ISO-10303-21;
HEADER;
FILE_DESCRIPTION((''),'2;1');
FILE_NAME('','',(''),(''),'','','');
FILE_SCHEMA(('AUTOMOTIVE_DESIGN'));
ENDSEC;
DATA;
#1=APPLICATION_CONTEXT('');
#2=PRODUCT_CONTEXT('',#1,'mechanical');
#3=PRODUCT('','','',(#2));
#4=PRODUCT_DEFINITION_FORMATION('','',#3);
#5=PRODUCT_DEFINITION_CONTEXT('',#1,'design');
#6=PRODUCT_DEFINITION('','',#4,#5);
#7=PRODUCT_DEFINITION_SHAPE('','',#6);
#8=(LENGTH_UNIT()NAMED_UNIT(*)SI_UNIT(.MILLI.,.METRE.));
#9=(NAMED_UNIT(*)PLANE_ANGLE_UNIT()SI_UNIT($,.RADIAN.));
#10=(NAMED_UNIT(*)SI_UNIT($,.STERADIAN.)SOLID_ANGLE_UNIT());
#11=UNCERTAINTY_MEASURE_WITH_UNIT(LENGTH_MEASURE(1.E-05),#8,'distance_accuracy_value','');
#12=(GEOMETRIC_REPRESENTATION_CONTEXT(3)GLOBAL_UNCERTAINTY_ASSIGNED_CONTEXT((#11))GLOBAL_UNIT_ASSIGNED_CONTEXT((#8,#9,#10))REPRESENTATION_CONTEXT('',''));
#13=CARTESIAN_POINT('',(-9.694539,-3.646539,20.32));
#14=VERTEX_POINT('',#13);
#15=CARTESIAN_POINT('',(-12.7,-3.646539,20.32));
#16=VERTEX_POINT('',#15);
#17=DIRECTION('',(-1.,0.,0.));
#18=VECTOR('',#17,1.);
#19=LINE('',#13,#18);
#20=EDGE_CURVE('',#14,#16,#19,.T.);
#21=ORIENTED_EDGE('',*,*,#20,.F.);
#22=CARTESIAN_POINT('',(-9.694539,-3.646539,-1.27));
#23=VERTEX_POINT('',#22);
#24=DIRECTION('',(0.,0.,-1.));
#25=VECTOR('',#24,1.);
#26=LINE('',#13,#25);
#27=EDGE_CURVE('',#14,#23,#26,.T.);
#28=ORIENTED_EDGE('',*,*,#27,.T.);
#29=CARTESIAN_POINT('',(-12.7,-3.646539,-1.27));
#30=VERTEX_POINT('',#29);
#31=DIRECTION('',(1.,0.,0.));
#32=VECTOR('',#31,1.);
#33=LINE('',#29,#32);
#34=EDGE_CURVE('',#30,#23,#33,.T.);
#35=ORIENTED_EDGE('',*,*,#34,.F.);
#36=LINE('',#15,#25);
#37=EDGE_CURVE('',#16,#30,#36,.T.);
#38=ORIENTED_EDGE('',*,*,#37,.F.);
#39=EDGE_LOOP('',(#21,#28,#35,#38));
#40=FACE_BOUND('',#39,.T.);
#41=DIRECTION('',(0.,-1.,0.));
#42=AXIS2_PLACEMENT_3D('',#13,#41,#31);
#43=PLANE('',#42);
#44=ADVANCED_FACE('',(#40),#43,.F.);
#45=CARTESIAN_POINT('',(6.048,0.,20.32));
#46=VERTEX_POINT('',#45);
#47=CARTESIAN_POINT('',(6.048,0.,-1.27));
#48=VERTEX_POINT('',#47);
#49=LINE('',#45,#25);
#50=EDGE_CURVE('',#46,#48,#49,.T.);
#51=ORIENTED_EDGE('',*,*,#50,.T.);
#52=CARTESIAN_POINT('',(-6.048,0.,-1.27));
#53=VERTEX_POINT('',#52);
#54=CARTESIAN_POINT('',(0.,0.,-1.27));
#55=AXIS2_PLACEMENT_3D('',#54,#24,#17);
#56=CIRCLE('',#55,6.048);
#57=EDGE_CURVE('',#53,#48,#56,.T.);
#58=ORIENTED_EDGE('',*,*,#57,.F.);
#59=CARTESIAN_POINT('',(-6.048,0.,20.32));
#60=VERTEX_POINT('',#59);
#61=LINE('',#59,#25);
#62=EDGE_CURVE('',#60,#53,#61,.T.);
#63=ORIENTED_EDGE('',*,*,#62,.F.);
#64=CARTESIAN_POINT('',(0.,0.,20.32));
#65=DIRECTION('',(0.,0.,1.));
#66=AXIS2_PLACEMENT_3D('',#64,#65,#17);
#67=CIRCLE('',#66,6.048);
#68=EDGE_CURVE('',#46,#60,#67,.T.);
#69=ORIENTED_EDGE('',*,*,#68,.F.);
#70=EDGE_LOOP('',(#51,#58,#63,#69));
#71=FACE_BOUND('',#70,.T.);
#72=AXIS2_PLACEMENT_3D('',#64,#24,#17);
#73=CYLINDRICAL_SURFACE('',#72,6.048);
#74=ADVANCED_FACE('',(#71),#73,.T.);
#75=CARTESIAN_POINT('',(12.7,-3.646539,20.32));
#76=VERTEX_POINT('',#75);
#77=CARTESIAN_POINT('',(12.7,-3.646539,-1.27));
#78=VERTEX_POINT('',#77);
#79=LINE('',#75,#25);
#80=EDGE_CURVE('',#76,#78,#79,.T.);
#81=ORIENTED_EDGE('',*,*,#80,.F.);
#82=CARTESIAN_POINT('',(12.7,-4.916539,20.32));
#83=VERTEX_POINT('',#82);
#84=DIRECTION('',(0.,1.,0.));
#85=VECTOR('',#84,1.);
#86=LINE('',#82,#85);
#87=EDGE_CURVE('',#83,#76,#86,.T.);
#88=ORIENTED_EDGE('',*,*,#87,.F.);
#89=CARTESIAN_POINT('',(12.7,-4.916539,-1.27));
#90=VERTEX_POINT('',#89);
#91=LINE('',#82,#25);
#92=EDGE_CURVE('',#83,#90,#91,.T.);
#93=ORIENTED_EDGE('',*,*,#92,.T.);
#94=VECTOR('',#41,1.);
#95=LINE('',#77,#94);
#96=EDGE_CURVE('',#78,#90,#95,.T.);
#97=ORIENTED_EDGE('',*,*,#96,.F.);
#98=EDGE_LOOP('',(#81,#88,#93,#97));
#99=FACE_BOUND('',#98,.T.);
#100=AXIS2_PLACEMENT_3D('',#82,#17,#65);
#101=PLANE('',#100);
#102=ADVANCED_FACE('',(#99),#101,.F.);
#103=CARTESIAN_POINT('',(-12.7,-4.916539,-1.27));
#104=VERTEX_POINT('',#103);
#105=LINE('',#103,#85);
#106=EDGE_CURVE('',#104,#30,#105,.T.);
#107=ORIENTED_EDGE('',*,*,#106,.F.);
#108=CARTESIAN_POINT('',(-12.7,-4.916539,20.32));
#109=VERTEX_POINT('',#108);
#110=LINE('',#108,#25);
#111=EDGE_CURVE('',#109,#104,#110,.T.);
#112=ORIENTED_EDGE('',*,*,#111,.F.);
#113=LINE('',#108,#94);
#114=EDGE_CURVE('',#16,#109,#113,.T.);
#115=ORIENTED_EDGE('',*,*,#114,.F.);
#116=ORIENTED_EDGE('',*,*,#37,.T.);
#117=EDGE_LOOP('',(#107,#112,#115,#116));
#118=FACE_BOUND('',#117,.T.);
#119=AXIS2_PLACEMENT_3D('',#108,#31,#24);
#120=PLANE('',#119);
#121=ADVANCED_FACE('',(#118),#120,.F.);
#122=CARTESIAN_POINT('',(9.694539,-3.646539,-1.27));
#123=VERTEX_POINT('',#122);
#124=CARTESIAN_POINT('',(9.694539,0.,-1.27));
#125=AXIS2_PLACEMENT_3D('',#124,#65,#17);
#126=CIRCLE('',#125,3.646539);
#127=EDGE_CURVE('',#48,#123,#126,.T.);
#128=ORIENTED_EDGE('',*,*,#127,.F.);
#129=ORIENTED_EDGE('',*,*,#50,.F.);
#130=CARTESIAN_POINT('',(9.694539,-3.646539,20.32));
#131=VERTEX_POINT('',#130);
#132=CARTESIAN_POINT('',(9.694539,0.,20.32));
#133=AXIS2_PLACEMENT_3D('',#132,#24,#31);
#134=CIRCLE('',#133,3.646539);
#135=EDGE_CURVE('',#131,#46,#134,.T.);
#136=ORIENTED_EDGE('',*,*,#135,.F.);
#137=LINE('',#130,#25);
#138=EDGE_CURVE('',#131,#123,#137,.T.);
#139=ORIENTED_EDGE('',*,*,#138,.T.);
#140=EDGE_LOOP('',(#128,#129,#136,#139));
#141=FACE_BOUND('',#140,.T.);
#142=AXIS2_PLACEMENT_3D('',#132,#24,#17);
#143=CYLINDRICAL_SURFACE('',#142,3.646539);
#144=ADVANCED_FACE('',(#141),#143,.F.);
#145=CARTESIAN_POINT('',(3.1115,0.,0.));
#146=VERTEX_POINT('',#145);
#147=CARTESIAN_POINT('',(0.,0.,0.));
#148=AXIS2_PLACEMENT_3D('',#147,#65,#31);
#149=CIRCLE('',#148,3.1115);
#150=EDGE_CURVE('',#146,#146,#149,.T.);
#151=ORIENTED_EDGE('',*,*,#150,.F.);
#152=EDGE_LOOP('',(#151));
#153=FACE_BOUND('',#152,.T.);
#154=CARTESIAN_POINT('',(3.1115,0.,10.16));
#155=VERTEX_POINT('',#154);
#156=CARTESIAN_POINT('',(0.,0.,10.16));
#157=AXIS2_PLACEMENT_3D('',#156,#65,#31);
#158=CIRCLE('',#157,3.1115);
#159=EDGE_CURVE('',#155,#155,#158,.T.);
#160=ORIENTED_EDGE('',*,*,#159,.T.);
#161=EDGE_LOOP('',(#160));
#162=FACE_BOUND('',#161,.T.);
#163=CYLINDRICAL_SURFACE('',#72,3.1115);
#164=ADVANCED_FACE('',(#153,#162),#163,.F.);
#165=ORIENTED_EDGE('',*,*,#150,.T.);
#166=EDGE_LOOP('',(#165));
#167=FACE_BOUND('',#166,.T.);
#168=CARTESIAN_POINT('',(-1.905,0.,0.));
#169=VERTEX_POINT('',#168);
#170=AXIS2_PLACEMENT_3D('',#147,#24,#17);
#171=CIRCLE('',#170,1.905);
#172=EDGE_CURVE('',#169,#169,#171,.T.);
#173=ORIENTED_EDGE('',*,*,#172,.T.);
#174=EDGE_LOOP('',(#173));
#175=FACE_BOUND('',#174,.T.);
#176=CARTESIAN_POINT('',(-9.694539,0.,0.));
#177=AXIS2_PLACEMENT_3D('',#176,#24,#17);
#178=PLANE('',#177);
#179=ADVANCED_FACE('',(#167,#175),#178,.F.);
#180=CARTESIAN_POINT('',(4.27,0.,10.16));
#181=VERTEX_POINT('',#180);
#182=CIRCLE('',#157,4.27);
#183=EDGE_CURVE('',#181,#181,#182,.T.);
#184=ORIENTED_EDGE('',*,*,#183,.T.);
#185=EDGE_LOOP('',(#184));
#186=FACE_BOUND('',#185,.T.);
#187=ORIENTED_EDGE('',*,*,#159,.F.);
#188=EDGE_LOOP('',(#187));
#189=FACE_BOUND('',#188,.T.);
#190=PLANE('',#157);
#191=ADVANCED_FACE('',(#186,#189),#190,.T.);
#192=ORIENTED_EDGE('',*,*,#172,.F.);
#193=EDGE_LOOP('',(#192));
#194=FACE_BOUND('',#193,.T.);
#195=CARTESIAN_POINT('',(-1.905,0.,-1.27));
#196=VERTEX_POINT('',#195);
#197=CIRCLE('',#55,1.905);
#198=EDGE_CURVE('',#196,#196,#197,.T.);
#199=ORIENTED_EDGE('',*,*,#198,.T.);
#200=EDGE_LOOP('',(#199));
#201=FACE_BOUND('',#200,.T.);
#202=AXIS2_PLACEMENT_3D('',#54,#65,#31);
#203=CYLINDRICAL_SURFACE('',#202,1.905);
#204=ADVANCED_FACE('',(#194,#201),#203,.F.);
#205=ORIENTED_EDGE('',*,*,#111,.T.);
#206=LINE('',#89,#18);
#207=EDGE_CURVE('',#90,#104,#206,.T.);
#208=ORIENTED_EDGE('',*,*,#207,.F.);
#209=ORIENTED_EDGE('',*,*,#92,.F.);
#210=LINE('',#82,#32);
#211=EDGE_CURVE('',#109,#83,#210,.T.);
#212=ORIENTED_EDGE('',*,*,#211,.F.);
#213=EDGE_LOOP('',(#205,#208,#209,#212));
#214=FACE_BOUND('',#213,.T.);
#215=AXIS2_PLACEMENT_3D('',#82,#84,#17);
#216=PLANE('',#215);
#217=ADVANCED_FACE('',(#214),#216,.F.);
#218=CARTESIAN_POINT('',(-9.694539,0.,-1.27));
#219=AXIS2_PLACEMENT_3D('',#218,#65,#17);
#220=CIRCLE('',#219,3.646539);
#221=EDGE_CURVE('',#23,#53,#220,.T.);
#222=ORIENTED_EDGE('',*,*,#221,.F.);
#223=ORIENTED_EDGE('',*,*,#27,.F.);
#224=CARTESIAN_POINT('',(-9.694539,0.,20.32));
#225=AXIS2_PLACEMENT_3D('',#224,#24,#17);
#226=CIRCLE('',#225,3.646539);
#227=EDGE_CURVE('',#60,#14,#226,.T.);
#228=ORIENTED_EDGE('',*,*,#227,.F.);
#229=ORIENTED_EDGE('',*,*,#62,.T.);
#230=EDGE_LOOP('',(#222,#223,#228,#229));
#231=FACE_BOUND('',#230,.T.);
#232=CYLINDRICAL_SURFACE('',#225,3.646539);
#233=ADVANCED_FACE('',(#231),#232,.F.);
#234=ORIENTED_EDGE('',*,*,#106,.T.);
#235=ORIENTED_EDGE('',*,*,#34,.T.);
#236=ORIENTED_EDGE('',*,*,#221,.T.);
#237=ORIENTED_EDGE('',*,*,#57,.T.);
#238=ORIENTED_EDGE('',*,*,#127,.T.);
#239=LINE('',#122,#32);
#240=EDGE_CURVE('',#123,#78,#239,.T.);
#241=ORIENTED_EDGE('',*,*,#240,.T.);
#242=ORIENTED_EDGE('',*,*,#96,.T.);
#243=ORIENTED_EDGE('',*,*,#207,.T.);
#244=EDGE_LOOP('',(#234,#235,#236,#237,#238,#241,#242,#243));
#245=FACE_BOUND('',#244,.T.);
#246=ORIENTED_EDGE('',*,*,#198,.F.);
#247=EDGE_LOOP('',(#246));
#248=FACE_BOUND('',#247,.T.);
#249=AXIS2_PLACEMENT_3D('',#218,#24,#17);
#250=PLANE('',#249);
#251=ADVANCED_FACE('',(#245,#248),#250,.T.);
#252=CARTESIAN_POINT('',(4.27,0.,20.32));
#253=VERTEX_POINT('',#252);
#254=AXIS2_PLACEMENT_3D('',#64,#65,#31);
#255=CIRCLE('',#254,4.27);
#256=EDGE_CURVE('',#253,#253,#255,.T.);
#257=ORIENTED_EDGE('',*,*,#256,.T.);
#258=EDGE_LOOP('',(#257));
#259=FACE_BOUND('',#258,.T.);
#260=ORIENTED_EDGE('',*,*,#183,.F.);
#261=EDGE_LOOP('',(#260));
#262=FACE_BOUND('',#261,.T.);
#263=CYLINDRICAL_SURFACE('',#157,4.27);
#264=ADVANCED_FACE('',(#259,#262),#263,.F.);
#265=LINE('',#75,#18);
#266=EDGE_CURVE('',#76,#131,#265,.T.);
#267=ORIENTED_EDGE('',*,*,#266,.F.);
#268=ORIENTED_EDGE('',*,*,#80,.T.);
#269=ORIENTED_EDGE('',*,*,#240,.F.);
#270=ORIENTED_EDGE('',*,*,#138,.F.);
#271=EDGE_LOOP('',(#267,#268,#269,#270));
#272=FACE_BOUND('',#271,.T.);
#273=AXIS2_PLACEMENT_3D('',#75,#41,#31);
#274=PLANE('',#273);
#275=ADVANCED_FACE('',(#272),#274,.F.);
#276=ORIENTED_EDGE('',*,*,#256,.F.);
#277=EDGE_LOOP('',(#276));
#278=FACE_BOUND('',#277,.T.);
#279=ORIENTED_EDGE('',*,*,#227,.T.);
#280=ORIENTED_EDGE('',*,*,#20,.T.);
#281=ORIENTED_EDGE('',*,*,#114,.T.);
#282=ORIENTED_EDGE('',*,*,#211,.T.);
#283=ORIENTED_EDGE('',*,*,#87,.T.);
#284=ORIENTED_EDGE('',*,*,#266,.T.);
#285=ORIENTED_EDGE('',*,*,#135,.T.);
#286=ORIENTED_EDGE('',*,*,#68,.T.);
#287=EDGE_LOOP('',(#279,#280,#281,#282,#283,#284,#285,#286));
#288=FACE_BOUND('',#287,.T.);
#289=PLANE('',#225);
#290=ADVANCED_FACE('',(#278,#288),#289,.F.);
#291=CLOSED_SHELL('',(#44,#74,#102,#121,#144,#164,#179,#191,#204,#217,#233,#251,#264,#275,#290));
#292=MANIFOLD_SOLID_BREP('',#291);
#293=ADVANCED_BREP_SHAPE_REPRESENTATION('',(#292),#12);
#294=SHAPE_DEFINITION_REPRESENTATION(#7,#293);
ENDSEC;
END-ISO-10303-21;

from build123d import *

# Parameters (mm, degrees)
SKETCH1_R           = 3.1115
BOSS_EXTRUDE1_DEPTH = 20.32
SKETCH2_R           = 1.905
BOSS_EXTRUDE2_DEPTH = 1.27
SKETCH3_R           = 4.27
CUT_EXTRUDE1_DEPTH  = 10.16


with BuildPart() as part:
    # Sketch1 → Boss-Extrude1 (new body)
    with BuildSketch(Plane.XY):
        with BuildLine():
            Line((-9.694539288, -3.646539288), (-12.7, -3.646539288))
            Line((-12.7, -3.646539288), (-12.7, -4.916539288))
            Line((-12.7, -4.916539288), (12.7, -4.916539288))
            Line((12.7, -4.916539288), (12.7, -3.646539288))
            Line((12.7, -3.646539288), (9.694539288, -3.646539288))
            ThreePointArc((9.694539288, -3.646539288), (7.11604663, -2.578492658), (6.048, 0))
            ThreePointArc((6.048, 0), (0, 6.048), (-6.048, 0))
            ThreePointArc((-6.048, 0), (-7.11604663, -2.578492658), (-9.694539288, -3.646539288))
        make_face()
        Circle(SKETCH1_R, mode=Mode.SUBTRACT)
    extrude(amount=BOSS_EXTRUDE1_DEPTH)

    # Sketch2 → Boss-Extrude2 (add)
    with BuildSketch(Plane(origin=(0, 0, 0), x_dir=(-1, 0, 0), z_dir=(0, 0, -1))):
        with BuildLine():
            Line((12.7, -4.916539288), (12.7, -3.646539288))
            Line((12.7, -3.646539288), (9.694539288, -3.646539288))
            ThreePointArc((9.694539288, -3.646539288), (7.11604663, -2.578492658), (6.048, 0))
            ThreePointArc((6.048, 0), (0, 6.048), (-6.048, 0))
            ThreePointArc((-6.048, 0), (-7.11604663, -2.578492658), (-9.694539288, -3.646539288))
            Line((-9.694539288, -3.646539288), (-12.7, -3.646539288))
            Line((-12.7, -3.646539288), (-12.7, -4.916539288))
            Line((-12.7, -4.916539288), (12.7, -4.916539288))
        make_face()
        Circle(SKETCH2_R, mode=Mode.SUBTRACT)
    extrude(amount=BOSS_EXTRUDE2_DEPTH)

    # Sketch3 → Cut-Extrude1 (cut)
    with BuildSketch(Plane.XY.offset(20.32)):
        Circle(SKETCH3_R)
    extrude(amount=-CUT_EXTRUDE1_DEPTH, mode=Mode.SUBTRACT)


solid = part.part
